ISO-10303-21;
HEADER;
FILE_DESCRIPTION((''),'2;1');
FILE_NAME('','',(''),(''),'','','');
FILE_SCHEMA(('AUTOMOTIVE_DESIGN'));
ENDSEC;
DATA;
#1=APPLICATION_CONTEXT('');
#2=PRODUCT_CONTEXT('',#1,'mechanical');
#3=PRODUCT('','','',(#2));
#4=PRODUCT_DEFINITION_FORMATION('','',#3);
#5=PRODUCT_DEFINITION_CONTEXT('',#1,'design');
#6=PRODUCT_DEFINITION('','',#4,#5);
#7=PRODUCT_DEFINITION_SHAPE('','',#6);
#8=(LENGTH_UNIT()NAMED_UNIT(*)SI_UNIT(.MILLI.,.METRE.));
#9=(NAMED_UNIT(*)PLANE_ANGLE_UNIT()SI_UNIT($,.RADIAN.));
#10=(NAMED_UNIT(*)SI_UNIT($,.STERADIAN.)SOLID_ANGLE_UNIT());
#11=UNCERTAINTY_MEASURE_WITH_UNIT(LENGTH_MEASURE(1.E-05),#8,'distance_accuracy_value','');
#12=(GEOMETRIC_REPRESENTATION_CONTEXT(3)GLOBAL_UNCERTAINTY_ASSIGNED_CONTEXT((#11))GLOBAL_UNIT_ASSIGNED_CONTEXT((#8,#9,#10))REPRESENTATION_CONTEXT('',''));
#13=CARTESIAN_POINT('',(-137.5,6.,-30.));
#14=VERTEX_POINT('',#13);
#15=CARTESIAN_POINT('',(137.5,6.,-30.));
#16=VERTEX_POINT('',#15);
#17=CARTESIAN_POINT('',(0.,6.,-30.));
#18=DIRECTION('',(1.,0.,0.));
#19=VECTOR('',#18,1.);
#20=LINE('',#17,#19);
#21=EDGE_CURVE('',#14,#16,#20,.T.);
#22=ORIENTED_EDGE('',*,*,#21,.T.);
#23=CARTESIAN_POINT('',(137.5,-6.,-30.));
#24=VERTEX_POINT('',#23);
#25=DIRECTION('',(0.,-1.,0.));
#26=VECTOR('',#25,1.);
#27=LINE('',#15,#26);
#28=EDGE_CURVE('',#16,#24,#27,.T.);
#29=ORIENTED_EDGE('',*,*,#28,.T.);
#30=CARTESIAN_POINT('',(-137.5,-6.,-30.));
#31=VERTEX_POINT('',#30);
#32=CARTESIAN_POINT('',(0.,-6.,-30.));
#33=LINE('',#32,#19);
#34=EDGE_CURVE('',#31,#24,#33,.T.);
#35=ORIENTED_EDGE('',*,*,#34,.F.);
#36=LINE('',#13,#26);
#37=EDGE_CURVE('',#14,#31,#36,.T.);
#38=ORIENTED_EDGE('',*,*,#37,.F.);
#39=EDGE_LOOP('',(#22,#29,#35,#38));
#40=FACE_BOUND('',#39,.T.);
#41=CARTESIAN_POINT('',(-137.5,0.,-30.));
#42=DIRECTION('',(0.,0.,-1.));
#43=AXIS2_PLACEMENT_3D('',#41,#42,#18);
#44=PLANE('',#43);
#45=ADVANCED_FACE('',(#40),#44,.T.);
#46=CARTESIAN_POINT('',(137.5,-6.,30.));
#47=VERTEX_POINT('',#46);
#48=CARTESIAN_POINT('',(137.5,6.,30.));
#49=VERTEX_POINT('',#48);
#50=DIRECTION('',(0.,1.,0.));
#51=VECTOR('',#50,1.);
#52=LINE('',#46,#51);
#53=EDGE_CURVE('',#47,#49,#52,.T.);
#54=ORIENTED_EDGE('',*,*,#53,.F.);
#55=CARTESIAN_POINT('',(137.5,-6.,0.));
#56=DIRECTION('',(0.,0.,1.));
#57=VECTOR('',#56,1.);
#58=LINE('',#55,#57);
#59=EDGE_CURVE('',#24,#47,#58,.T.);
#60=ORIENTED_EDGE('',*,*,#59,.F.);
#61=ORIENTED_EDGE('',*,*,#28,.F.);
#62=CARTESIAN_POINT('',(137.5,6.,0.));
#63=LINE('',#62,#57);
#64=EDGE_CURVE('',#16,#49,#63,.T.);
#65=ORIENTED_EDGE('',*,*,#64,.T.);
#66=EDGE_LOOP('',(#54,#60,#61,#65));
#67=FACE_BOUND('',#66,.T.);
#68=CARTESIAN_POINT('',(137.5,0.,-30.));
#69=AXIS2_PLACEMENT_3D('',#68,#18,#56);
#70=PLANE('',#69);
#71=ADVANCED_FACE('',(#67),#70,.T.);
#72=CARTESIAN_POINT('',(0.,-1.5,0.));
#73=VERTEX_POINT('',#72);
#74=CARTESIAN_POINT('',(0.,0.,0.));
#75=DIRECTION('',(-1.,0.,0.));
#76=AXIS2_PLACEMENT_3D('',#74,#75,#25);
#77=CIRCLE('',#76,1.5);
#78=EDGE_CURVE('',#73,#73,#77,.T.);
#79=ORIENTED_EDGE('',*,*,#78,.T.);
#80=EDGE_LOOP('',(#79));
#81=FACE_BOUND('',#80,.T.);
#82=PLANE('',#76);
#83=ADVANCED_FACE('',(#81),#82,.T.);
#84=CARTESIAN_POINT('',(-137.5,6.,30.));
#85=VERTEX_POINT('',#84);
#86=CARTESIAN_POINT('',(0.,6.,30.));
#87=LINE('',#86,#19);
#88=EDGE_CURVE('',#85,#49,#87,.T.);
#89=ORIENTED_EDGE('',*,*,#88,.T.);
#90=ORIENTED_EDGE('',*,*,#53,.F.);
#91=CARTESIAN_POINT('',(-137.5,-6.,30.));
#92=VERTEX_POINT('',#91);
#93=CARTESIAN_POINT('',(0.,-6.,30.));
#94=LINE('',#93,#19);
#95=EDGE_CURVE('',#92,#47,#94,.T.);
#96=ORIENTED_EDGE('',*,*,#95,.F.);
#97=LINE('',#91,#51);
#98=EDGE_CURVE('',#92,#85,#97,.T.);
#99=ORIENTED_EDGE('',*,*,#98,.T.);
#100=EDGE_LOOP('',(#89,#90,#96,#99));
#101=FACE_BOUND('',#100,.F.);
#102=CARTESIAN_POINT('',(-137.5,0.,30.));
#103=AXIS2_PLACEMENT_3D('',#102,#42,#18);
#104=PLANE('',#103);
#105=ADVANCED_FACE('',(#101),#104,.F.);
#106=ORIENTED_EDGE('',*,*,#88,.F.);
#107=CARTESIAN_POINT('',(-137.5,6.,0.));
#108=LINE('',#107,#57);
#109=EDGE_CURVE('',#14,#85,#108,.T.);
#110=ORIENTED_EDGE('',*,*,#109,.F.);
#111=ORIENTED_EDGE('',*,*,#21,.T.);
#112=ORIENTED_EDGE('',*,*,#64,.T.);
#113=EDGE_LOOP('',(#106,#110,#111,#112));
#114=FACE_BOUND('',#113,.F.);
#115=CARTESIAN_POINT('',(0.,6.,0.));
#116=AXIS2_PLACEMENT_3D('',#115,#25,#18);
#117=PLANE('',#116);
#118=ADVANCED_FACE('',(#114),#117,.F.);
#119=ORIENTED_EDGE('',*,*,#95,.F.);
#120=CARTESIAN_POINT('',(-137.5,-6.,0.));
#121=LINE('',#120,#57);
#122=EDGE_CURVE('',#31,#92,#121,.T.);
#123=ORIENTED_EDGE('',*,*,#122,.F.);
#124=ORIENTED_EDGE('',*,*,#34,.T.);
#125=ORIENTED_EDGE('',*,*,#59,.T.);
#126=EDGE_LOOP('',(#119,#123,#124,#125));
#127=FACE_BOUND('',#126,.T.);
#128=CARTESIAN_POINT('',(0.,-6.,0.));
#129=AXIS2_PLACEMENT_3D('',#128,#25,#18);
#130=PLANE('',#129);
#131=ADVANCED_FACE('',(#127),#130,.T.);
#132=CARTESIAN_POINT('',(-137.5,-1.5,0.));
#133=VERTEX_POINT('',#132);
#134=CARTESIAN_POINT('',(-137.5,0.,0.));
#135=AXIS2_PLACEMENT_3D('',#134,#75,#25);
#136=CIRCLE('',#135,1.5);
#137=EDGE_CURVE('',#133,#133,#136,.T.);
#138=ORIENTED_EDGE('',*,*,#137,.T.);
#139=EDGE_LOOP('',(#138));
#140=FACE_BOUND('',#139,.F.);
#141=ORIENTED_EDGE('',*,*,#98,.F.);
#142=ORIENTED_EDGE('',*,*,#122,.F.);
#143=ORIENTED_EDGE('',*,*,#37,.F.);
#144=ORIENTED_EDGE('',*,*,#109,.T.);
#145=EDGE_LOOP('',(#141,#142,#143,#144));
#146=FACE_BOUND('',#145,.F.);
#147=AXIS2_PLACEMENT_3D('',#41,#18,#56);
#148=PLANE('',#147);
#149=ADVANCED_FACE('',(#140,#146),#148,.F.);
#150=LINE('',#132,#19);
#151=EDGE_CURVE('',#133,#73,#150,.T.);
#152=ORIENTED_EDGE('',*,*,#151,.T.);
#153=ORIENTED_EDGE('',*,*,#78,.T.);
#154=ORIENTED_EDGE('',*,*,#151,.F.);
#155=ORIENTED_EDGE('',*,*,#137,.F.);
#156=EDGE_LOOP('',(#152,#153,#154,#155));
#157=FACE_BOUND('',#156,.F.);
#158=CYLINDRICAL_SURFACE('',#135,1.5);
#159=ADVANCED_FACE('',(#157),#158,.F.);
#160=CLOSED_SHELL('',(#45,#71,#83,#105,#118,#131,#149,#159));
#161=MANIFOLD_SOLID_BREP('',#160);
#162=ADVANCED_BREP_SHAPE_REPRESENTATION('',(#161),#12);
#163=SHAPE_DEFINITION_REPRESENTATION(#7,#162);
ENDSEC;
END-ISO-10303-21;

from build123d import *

# Parameters (mm, degrees)
F0_W     = 275
F0_H     = 60
F1_DEPTH = 6
F2_R     = 1.5
F3_DEPTH = 137.5


with BuildPart() as f1:
    # F0 (on Front) → F1 (new body, symmetric)
    with BuildSketch(Plane.XZ):
        Rectangle(F0_W, F0_H)
    extrude(amount=F1_DEPTH, both=True)

    # F2 (on face) → F3 (cut)
    with BuildSketch(Plane(origin=(-137.5, 0, 0), x_dir=(0, -1, 0), z_dir=(-1, 0, 0))):
        Circle(F2_R)
    extrude(amount=-F3_DEPTH, mode=Mode.SUBTRACT)


solid = f1.part
